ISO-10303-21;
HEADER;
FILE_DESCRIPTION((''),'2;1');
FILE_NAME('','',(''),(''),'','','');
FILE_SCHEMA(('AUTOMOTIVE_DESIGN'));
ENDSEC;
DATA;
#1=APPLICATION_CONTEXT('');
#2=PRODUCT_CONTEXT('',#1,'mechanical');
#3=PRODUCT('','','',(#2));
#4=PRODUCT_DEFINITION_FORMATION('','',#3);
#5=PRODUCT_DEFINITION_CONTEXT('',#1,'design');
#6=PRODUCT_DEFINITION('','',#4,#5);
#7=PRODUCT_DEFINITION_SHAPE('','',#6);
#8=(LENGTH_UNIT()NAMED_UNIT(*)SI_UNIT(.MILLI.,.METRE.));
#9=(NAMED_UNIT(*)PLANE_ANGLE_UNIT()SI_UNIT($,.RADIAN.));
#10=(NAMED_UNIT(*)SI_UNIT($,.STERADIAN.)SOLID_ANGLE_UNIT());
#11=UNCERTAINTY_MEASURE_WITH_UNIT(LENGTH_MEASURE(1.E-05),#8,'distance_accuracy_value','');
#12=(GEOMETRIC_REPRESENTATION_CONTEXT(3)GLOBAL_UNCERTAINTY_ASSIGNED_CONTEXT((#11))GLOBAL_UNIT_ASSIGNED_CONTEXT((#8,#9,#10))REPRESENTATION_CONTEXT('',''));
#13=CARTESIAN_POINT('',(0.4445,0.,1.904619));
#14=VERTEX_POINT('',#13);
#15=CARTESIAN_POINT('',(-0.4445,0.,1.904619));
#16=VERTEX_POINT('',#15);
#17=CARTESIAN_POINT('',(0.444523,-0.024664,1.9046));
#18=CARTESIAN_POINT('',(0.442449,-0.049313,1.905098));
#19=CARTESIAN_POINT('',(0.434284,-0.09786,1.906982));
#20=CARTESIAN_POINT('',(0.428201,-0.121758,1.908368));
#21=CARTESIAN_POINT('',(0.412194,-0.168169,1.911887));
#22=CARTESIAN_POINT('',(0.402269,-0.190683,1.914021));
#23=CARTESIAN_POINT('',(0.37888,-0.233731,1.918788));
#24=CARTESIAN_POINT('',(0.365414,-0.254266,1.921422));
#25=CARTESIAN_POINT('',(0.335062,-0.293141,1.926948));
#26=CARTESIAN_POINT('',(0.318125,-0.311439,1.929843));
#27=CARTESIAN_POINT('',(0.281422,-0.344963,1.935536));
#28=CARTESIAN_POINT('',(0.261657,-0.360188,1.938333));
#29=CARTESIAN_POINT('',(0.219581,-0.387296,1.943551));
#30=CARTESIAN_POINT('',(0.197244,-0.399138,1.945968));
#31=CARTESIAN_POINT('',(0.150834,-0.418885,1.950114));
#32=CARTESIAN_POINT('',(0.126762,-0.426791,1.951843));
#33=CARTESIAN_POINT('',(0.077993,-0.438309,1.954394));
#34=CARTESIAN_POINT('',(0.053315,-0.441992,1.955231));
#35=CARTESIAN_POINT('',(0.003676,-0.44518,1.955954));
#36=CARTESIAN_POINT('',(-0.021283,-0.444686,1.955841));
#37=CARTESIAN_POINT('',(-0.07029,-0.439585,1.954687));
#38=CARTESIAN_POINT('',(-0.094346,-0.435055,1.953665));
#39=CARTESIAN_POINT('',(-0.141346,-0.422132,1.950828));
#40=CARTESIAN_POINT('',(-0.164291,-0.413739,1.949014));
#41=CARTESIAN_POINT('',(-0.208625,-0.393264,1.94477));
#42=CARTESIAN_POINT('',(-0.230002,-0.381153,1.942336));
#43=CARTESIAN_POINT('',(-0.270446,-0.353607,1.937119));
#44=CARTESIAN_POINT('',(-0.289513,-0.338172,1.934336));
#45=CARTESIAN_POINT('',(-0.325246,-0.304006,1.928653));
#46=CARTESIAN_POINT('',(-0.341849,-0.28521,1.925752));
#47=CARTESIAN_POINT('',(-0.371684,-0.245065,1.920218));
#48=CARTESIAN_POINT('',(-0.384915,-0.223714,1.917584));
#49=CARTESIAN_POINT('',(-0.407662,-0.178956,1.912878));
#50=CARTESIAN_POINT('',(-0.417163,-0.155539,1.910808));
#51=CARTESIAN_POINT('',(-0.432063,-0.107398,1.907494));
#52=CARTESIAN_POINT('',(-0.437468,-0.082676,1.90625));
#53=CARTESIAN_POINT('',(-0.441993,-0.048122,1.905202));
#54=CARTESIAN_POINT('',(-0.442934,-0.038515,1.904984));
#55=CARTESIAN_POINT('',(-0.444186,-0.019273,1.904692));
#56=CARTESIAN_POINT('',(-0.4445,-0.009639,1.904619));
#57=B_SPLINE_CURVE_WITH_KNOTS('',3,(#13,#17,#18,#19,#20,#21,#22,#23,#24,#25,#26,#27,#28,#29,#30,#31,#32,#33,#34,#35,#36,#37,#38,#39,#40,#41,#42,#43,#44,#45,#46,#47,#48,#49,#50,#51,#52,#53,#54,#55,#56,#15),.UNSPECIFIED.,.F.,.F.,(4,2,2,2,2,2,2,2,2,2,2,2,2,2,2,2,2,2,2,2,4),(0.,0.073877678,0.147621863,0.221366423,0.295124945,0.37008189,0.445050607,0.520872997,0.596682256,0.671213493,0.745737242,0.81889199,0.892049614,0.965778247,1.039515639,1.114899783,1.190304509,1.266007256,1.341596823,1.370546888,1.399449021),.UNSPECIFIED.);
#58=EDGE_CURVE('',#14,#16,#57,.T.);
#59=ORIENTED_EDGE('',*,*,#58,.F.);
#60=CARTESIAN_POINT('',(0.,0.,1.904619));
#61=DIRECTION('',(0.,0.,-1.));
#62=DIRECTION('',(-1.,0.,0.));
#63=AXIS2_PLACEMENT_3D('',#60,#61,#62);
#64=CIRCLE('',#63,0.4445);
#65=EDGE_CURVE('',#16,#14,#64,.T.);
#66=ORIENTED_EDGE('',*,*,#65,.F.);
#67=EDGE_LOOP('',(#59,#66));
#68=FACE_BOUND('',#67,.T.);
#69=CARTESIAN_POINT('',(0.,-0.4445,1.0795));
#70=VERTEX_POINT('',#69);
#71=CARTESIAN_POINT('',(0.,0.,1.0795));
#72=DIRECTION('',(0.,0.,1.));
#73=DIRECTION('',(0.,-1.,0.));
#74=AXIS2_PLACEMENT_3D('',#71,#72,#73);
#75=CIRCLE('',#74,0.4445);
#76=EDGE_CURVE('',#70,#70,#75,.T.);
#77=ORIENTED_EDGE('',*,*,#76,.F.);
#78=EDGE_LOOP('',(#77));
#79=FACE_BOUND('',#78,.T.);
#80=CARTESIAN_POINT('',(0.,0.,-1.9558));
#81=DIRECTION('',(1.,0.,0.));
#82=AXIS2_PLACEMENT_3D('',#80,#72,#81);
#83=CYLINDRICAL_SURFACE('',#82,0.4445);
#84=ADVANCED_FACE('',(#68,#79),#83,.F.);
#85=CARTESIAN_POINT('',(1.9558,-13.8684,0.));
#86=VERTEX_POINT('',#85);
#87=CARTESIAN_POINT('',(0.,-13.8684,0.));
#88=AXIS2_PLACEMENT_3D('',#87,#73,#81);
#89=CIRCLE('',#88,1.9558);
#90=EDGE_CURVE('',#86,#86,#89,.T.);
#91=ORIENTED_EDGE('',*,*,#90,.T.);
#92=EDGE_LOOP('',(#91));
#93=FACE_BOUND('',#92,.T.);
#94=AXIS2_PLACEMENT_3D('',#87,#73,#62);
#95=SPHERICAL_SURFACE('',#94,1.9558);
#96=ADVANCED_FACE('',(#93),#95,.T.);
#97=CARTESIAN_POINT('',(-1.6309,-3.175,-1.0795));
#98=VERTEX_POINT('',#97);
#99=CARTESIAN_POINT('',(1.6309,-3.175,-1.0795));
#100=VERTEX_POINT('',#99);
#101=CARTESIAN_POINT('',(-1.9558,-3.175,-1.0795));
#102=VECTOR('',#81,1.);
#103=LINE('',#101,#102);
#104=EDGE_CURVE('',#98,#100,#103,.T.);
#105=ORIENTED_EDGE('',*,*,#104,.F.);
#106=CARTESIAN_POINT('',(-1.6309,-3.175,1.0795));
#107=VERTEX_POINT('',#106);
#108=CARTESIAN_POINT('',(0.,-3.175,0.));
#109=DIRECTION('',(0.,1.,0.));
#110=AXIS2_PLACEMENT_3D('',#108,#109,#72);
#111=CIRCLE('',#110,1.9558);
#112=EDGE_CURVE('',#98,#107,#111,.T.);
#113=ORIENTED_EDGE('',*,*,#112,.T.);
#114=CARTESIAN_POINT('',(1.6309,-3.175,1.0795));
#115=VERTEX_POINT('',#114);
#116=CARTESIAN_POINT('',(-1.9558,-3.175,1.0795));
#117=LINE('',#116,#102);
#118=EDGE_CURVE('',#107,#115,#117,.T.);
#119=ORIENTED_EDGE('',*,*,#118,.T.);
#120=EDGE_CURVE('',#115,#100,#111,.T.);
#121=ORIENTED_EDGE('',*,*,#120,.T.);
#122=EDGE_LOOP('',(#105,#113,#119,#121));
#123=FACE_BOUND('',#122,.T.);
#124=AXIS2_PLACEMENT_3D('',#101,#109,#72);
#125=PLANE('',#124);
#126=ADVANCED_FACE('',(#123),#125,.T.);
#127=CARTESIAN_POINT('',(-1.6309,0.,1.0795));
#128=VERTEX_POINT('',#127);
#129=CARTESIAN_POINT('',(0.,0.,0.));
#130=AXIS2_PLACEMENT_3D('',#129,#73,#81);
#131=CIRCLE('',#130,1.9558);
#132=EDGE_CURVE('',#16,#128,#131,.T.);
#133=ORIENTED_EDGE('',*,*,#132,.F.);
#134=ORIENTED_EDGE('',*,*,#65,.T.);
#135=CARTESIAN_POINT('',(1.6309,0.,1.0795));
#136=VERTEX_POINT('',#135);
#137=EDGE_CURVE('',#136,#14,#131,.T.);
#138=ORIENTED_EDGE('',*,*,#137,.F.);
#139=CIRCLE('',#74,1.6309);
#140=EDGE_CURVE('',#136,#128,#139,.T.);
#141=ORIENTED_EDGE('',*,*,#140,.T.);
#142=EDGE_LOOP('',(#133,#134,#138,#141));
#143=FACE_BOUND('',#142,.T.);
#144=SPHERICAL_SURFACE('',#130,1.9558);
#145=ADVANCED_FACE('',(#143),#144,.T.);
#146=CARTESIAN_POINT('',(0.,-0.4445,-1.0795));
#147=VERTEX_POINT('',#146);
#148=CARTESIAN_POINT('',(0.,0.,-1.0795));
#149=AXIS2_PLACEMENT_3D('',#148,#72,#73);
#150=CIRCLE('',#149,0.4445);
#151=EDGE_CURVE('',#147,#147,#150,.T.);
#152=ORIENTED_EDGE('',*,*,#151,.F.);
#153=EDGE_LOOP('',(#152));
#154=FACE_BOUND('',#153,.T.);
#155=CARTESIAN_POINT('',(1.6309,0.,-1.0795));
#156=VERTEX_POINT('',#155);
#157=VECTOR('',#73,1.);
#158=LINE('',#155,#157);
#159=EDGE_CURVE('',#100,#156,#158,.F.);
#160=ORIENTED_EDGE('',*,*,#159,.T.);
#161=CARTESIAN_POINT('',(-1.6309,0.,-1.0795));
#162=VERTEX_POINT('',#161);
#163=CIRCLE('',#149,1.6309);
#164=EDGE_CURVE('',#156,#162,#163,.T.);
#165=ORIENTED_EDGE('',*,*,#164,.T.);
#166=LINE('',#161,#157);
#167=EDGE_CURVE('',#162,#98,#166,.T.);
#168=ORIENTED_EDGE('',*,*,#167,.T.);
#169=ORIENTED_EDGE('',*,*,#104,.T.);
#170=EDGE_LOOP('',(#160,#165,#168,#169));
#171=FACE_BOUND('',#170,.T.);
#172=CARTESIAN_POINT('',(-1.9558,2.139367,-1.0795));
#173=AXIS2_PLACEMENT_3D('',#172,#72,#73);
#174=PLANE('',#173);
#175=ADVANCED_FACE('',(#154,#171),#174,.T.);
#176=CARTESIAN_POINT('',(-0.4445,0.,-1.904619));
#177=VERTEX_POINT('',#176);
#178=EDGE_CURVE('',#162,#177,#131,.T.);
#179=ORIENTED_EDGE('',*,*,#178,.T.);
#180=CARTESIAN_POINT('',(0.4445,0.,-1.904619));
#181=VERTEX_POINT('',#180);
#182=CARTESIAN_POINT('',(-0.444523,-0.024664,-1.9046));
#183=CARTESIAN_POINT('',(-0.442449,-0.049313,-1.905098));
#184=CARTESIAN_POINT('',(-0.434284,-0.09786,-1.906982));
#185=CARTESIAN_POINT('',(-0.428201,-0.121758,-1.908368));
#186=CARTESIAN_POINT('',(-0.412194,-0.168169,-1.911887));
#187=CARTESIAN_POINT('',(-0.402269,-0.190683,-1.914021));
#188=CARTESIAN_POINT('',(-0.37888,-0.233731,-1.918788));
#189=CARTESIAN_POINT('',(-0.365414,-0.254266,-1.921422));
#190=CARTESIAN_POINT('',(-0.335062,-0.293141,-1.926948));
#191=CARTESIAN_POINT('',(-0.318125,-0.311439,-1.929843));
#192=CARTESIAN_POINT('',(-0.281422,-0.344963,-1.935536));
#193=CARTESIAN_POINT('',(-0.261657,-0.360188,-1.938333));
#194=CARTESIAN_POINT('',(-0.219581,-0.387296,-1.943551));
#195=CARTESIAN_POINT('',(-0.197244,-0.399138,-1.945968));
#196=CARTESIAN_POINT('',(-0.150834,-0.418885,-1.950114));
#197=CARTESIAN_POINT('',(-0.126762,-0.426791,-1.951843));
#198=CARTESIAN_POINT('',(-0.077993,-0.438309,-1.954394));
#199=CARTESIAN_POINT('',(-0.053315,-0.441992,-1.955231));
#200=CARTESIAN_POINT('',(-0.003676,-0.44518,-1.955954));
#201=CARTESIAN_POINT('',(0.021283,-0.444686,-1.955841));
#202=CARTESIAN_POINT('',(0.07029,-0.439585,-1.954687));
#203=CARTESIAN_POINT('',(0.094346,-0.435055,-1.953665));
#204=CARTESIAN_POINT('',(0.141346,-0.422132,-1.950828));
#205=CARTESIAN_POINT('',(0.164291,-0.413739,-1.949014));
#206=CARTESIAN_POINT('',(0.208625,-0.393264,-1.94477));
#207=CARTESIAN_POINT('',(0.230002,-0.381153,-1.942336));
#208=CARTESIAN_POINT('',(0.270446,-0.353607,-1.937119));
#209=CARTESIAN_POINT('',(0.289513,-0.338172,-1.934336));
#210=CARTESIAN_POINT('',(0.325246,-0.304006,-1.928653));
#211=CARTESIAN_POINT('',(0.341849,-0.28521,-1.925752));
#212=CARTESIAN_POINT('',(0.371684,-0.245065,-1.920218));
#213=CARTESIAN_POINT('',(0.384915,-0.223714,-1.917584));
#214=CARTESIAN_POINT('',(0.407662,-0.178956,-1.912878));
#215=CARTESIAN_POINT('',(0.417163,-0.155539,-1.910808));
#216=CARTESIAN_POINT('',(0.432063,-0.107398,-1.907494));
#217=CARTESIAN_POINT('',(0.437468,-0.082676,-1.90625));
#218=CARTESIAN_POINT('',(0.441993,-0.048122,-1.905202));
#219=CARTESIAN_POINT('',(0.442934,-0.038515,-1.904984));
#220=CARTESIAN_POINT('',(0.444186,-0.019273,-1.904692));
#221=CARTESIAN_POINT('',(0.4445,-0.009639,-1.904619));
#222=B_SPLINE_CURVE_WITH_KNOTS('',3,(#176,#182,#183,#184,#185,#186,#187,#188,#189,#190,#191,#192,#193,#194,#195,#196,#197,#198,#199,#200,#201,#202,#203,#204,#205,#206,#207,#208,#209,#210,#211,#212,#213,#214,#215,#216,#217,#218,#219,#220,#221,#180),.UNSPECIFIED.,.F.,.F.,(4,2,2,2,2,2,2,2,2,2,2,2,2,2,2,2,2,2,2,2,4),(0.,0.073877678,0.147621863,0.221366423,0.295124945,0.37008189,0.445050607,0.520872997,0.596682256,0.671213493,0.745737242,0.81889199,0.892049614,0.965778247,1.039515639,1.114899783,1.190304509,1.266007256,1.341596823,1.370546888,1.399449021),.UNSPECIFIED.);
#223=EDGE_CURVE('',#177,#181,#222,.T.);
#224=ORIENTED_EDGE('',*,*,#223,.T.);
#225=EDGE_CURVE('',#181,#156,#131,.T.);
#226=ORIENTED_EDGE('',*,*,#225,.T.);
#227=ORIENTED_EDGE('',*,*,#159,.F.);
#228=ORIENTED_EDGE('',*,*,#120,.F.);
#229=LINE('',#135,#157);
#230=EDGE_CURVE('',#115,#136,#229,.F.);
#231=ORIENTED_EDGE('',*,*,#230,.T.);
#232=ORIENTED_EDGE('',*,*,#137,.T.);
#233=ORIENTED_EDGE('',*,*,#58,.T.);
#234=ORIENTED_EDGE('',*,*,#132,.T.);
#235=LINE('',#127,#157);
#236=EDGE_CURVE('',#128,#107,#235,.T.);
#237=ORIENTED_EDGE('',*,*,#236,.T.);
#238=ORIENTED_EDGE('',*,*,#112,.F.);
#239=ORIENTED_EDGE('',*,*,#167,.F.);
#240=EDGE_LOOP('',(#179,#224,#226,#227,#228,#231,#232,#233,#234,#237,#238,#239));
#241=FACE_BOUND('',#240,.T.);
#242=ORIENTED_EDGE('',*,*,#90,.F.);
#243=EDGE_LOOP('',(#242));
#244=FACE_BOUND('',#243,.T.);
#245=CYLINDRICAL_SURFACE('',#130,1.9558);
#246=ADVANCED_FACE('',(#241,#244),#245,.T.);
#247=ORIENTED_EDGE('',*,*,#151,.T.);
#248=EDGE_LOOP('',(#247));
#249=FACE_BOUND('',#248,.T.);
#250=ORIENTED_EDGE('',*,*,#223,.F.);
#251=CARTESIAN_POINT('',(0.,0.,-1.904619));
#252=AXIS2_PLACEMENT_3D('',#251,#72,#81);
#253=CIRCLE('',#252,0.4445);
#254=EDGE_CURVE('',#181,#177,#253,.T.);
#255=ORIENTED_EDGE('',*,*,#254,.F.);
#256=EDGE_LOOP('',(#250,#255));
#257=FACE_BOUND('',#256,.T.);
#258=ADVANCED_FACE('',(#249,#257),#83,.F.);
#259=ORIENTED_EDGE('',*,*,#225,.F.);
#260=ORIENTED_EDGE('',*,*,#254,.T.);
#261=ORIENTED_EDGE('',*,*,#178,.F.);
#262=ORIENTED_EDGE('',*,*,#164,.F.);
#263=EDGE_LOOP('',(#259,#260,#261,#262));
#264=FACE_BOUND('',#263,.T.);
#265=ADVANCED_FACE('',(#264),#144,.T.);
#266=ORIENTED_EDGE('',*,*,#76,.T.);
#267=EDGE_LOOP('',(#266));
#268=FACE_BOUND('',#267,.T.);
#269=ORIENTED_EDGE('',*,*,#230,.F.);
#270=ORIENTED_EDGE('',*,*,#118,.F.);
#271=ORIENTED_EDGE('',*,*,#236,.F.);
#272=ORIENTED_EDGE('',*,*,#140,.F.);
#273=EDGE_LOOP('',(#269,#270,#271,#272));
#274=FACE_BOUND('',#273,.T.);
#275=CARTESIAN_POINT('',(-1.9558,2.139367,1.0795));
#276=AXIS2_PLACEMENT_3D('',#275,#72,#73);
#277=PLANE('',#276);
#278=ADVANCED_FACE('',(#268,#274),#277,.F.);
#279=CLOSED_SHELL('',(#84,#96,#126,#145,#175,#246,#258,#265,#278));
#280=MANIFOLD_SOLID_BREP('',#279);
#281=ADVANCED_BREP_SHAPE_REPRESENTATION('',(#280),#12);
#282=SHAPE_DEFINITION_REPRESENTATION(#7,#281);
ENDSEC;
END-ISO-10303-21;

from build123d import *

# Parameters (mm, degrees)
CUT_EXTRUDE1_DEPTH      = 17.064109466
CUT_EXTRUDE1_DEPTH_BACK = 17.064109466
SKETCH2_W               = 2.159
SKETCH2_H               = 5.314367205
CUT_EXTRUDE2_DEPTH      = 17.064109466
CUT_EXTRUDE2_DEPTH_BACK = 17.064109466
SKETCH3_R               = 0.4445


with BuildPart() as part:
    # Sketch1 one side → Revolve1 (revolve)
    with BuildSketch(Plane.XY):
        with BuildLine():
            Line((1.9558, -13.8684), (1.9558, 0))
            ThreePointArc((1.9558, 0), (1.382959443, 1.382959443), (0, 1.9558))
            Line((0, 1.9558), (0, -15.8242))
            ThreePointArc((0, -15.8242), (1.382959443, -15.251359443), (1.9558, -13.8684))
        make_face()
    revolve(axis=Axis((0, 0, 0), (0, -1, 0)))

    # Sketch2 → Cut-Extrude1 (cut, two sides: drawn at the far end of the back side and taken through both)
    with BuildSketch(Plane(origin=(0, 0, 0), x_dir=(0, 0, -1), z_dir=(1, 0, 0)).offset(-CUT_EXTRUDE1_DEPTH_BACK)):
        with Locations((0, -0.517816398)):
            Rectangle(SKETCH2_W, SKETCH2_H)
    extrude(amount=CUT_EXTRUDE1_DEPTH + CUT_EXTRUDE1_DEPTH_BACK, mode=Mode.SUBTRACT)

    # Sketch3 → Cut-Extrude2 (cut, two sides: drawn at the far end of the back side and taken through both)
    with BuildSketch(Plane.XY.offset(-CUT_EXTRUDE2_DEPTH_BACK)):
        Circle(SKETCH3_R)
    extrude(amount=CUT_EXTRUDE2_DEPTH + CUT_EXTRUDE2_DEPTH_BACK, mode=Mode.SUBTRACT)


solid = part.part
